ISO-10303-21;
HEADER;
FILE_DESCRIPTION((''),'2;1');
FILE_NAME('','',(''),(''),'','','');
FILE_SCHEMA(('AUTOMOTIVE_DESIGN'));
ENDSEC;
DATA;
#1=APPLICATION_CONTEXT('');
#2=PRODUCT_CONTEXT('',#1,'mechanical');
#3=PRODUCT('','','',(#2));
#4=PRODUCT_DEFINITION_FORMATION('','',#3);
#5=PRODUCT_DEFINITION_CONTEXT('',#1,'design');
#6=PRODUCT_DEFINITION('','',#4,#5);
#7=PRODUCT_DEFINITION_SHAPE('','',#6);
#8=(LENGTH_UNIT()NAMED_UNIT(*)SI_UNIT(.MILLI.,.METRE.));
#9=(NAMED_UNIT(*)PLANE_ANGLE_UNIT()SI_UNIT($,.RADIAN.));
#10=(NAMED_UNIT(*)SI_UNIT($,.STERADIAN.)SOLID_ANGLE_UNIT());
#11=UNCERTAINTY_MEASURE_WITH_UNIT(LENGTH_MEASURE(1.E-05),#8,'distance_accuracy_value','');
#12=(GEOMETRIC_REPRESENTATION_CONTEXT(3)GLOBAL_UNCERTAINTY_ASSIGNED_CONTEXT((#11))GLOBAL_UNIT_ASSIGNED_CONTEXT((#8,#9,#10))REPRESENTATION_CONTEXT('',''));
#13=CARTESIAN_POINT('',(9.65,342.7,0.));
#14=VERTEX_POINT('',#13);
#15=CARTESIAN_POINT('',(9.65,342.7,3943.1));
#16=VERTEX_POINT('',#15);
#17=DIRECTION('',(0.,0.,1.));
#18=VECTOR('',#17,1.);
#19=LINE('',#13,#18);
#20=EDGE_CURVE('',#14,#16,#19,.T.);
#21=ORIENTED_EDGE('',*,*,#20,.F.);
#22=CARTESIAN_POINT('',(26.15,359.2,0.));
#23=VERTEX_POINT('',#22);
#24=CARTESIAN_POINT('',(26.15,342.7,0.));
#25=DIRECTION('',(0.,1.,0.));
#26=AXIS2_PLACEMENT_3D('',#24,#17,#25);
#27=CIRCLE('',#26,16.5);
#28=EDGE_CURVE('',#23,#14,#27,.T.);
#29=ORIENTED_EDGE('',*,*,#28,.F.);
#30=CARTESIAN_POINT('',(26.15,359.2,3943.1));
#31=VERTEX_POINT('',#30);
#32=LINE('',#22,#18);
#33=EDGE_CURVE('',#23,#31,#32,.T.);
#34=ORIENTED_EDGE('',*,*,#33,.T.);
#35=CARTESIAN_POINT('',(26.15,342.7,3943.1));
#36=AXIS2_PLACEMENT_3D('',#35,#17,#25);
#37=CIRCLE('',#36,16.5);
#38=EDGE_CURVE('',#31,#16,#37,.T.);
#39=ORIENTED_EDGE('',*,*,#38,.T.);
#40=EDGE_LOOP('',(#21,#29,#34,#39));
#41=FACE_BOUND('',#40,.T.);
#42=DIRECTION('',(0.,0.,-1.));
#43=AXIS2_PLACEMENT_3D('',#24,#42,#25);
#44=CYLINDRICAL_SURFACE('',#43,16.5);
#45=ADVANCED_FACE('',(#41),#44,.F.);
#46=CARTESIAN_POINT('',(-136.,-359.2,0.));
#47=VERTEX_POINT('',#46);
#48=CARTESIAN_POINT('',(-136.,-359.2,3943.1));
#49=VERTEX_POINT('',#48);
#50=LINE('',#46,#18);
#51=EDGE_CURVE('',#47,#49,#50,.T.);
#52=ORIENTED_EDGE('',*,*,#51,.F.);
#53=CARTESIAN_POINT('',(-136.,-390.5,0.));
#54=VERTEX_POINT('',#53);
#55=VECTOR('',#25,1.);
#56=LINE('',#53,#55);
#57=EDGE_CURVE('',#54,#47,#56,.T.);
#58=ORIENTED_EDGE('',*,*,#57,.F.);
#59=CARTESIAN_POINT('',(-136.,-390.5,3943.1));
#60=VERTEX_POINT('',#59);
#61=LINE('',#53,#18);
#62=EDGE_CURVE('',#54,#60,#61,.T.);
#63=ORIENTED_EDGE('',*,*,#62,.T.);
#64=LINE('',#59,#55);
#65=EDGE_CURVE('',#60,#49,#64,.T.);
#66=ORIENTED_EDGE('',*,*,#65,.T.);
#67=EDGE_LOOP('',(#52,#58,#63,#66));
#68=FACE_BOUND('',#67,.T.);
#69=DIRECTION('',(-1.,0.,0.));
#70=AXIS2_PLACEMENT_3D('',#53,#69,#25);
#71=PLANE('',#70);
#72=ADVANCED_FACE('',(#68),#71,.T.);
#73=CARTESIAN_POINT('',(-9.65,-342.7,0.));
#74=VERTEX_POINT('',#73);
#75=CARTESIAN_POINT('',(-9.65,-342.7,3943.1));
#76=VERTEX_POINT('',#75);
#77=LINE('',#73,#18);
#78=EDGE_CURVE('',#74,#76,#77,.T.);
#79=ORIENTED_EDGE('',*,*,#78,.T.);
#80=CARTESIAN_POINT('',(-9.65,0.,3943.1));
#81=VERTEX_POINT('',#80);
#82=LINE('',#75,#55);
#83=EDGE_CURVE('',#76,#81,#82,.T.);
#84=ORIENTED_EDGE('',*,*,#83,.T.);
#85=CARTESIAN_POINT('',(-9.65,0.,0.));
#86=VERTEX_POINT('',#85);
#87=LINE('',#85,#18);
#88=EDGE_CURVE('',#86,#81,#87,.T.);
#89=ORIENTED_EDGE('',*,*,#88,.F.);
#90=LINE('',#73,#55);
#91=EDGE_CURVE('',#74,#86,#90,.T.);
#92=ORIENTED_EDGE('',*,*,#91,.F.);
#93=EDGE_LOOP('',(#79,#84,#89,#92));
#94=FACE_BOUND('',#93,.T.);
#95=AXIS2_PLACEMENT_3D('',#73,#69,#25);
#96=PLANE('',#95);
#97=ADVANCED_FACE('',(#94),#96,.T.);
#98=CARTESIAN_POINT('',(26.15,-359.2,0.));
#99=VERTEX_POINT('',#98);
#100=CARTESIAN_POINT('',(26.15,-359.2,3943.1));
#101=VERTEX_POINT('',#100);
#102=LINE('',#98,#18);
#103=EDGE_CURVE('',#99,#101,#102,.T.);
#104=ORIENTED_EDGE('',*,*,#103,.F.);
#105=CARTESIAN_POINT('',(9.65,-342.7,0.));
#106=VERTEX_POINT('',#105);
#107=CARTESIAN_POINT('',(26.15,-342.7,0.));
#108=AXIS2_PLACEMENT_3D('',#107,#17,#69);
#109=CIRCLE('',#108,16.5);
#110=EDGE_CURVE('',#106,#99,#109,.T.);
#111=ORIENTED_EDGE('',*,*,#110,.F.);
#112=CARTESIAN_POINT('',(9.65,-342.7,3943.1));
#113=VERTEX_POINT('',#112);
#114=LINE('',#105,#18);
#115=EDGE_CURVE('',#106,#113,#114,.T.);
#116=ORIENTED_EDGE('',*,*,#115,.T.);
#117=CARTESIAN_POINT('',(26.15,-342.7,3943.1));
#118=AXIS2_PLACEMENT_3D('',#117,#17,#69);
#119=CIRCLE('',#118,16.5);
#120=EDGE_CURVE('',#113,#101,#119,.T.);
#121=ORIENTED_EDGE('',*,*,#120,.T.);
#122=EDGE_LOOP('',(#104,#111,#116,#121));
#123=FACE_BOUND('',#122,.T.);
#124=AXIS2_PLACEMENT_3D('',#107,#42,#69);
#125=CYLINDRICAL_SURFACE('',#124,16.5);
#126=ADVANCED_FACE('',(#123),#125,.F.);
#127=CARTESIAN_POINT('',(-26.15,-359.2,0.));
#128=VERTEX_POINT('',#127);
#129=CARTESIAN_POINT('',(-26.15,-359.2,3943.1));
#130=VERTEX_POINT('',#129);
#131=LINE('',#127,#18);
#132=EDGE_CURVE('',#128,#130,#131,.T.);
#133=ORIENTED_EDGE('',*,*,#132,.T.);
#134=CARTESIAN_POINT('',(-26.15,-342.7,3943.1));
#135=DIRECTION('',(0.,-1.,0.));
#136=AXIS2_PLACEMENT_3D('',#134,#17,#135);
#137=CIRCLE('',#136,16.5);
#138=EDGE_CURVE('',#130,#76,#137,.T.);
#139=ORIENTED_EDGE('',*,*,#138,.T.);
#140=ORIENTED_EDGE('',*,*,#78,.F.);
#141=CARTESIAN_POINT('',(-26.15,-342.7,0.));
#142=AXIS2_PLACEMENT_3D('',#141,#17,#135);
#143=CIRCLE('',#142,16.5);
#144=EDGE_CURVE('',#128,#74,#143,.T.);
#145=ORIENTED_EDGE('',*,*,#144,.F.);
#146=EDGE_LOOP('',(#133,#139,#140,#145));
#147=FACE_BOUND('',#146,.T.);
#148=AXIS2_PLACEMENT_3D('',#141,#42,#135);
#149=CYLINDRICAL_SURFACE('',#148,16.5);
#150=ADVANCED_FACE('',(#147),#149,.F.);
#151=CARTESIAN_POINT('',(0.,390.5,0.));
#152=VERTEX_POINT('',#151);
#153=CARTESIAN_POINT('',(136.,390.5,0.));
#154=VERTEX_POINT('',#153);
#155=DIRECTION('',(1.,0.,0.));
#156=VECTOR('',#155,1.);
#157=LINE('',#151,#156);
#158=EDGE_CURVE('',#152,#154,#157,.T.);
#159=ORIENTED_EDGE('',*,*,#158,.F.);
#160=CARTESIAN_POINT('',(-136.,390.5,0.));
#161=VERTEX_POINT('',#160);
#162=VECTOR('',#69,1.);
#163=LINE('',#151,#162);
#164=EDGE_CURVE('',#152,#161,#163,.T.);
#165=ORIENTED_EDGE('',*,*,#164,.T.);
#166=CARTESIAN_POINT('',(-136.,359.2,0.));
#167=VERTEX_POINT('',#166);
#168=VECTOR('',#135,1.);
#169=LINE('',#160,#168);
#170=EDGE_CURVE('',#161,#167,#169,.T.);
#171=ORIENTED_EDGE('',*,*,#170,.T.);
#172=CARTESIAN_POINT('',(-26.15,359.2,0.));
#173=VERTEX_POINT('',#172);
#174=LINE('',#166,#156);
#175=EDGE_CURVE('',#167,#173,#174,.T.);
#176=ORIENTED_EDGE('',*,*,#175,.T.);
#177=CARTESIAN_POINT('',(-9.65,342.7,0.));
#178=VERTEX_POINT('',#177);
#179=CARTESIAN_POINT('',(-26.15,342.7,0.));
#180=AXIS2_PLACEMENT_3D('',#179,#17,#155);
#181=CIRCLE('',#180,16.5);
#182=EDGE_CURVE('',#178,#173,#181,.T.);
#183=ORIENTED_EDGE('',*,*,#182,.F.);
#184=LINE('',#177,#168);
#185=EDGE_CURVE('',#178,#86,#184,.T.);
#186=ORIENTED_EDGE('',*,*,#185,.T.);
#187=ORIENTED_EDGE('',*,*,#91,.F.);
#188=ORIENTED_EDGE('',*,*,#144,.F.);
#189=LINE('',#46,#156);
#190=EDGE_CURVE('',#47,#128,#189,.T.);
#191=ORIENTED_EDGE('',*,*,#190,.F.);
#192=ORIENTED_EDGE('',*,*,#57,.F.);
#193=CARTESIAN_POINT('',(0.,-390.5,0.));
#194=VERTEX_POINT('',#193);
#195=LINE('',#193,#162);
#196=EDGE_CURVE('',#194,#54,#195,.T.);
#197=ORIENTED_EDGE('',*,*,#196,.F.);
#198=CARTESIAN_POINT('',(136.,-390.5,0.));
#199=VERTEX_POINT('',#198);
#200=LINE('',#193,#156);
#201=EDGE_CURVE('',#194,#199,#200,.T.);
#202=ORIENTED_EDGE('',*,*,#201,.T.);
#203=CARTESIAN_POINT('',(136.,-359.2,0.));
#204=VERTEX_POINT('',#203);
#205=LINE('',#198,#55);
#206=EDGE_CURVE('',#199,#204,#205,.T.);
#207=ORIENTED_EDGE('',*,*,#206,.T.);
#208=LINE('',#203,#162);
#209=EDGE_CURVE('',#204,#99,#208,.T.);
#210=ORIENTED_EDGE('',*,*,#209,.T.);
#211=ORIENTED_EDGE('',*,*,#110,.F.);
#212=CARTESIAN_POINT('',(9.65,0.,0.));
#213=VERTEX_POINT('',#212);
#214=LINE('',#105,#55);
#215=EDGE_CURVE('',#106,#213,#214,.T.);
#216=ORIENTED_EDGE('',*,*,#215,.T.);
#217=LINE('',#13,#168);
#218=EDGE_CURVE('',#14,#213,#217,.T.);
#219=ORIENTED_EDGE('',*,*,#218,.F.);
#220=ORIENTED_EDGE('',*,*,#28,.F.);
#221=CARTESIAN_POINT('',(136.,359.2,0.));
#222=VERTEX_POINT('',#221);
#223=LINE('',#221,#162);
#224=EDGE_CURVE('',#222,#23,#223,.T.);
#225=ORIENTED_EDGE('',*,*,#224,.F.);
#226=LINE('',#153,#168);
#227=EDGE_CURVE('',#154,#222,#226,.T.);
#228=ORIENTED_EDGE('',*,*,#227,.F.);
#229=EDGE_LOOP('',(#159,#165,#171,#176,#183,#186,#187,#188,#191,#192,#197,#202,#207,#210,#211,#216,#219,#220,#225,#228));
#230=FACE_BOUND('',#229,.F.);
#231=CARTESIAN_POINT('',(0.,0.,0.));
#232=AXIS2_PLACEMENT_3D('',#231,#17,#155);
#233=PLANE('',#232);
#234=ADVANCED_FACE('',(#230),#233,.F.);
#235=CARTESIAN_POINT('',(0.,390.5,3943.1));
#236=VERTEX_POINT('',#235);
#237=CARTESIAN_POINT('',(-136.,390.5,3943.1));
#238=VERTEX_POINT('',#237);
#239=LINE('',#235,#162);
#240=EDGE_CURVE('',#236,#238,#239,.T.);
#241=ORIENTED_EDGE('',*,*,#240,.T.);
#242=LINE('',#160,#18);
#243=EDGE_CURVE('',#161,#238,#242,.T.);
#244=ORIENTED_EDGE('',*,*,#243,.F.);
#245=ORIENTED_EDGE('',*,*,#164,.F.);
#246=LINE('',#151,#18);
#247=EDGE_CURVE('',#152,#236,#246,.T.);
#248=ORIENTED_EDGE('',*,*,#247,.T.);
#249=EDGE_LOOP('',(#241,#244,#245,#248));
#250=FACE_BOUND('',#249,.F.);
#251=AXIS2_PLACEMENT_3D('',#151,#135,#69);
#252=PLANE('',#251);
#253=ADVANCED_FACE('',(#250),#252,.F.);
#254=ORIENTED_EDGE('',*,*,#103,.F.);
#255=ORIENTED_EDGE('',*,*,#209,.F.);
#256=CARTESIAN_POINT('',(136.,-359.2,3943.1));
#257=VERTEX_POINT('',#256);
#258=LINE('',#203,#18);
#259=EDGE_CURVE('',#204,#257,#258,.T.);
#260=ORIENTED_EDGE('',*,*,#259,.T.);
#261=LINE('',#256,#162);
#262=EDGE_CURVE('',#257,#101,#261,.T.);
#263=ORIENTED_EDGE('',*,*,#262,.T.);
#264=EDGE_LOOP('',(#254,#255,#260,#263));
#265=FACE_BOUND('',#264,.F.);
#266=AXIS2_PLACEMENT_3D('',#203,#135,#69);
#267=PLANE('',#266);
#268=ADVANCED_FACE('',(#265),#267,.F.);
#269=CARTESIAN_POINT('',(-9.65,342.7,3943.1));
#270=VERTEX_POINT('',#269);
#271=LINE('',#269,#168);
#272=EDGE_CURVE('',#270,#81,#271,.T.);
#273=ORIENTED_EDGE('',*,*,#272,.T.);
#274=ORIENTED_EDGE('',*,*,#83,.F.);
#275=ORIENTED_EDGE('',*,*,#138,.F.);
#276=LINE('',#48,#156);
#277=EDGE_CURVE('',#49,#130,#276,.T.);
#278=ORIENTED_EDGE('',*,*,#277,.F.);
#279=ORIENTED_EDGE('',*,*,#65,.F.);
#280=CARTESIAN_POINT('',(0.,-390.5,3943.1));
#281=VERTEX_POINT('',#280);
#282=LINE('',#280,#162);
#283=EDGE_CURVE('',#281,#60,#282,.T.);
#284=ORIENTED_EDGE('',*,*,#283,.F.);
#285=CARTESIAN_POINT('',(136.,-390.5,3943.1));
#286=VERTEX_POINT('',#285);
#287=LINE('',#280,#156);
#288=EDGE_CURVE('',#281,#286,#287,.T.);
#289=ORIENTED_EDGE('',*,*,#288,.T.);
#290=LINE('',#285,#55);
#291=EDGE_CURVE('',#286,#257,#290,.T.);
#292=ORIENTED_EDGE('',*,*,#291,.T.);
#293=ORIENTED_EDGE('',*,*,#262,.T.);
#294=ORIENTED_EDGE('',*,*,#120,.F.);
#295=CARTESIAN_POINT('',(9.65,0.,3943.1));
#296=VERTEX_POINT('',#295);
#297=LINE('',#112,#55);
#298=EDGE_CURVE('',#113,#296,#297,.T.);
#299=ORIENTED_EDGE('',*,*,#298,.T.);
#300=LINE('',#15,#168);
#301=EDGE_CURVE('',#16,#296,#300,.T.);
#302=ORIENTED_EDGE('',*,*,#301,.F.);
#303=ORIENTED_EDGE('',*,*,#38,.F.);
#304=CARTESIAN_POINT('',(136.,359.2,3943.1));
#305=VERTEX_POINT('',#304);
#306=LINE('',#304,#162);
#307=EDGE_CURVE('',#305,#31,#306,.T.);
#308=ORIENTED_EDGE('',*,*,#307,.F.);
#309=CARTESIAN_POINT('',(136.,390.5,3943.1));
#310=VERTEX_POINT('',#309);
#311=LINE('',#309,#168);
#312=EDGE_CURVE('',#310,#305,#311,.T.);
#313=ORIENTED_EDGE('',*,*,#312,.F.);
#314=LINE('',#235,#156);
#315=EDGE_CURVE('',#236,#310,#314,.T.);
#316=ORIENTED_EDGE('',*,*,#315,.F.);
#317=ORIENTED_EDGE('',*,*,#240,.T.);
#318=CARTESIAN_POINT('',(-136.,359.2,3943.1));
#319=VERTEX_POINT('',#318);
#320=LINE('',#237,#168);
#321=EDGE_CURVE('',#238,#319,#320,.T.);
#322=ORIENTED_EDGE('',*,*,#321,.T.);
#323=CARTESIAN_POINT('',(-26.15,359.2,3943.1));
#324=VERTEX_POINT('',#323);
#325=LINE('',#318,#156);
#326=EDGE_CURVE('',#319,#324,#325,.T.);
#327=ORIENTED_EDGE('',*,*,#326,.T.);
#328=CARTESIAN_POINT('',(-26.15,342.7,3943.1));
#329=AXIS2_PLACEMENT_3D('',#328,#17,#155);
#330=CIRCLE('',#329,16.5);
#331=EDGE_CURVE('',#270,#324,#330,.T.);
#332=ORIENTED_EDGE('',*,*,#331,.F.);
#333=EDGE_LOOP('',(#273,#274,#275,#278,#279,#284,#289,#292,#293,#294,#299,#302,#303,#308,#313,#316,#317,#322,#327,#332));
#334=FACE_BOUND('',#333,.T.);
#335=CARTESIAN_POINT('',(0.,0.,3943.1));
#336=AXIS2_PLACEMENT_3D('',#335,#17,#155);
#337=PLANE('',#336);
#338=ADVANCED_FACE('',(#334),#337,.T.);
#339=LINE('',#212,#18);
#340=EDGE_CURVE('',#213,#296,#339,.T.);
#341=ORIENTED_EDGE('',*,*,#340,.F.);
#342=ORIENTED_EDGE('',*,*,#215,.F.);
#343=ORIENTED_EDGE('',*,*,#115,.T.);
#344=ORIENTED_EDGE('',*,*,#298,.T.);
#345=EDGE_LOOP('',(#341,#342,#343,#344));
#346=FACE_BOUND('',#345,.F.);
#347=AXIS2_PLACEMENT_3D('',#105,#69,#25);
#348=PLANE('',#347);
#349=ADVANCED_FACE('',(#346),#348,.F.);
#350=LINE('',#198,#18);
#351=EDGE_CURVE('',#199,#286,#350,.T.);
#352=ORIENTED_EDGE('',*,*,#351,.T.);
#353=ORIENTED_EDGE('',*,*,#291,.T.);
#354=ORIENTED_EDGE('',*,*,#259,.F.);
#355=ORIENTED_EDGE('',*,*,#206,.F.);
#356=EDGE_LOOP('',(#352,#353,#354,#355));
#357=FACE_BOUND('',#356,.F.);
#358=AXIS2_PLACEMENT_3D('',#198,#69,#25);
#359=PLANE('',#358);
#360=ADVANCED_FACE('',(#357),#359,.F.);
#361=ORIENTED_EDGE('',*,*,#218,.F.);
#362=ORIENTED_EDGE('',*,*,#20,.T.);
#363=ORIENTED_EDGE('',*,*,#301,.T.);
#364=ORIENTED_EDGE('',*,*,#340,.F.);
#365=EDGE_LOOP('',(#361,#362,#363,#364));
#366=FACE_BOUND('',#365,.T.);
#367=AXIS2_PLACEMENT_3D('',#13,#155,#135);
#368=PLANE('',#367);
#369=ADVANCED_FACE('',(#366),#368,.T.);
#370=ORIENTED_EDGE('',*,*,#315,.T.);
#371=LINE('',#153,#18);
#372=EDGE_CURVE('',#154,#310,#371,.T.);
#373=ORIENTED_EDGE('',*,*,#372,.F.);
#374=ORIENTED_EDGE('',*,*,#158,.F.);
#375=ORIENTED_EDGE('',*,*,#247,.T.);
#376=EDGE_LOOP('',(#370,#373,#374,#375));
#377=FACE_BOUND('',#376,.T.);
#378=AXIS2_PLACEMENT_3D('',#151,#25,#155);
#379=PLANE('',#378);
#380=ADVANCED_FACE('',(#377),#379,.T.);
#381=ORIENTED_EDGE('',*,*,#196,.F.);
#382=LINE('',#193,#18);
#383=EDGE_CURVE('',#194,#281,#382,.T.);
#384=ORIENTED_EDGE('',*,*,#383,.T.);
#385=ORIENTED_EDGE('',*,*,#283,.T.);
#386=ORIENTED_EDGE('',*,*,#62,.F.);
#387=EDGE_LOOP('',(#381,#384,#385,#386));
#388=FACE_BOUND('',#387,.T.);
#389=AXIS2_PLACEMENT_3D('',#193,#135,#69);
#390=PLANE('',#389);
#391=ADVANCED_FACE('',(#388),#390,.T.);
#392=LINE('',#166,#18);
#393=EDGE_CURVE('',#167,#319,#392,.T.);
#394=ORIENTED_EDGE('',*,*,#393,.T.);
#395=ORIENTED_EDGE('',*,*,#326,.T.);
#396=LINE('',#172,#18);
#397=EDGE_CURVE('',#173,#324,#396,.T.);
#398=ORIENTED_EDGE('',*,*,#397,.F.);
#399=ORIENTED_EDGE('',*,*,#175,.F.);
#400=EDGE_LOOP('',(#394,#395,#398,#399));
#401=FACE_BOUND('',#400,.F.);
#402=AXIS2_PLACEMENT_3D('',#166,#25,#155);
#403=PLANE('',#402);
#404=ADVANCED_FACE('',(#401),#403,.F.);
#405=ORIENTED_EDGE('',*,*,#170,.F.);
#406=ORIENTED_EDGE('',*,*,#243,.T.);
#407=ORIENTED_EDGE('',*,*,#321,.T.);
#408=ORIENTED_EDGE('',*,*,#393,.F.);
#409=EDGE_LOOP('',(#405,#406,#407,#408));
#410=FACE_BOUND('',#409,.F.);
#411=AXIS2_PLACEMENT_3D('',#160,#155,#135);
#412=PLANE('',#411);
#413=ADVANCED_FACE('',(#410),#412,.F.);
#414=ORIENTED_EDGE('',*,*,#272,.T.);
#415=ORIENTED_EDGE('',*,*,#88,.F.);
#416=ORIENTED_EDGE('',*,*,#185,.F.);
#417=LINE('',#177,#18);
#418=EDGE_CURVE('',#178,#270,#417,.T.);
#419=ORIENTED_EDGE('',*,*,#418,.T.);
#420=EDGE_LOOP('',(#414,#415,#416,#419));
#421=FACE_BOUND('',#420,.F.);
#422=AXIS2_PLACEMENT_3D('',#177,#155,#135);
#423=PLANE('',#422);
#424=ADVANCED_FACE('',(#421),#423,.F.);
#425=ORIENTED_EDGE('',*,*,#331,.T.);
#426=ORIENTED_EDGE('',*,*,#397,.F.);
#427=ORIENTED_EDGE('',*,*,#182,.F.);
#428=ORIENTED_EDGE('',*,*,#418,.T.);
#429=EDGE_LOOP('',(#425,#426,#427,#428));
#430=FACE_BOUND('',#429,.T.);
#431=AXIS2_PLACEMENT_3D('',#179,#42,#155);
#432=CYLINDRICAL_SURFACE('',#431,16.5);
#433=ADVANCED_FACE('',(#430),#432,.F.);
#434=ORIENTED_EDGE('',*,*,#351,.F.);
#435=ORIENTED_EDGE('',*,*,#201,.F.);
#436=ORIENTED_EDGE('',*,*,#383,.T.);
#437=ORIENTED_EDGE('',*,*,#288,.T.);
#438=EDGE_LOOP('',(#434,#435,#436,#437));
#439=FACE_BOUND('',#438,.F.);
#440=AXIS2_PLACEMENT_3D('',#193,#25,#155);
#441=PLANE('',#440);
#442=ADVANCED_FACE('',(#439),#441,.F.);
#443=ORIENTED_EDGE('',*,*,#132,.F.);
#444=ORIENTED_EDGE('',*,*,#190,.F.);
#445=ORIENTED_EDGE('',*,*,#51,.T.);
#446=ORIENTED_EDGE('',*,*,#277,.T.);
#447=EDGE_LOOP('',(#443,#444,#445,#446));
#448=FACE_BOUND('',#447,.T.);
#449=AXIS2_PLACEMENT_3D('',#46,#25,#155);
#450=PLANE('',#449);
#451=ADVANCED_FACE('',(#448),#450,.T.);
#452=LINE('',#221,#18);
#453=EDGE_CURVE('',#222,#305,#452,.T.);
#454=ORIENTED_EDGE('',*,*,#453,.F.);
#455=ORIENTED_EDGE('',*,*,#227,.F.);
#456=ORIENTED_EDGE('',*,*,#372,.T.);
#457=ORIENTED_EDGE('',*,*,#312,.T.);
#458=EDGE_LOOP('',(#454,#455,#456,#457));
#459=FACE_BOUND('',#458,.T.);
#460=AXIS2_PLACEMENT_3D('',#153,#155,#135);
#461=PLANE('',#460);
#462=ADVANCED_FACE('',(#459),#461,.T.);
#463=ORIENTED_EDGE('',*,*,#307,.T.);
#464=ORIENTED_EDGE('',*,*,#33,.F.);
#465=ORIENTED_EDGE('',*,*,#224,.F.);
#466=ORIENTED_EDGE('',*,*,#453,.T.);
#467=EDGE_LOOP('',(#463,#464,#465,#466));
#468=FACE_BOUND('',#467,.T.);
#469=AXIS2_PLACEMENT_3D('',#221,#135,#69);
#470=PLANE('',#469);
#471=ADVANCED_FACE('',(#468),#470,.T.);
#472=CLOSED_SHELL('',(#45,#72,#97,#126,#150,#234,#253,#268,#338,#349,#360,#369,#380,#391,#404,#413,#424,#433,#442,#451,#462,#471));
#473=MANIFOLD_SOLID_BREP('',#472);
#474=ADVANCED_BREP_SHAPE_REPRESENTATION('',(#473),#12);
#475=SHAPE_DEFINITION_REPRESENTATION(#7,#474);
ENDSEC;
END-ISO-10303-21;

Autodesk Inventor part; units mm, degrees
ref_plane "YZ Plane" through (0, 0, 0) normal (1, 0, 0) x (0, 1, 0)
ref_plane "Start plane" through (0, 0, 0) normal (0, 0, 1) x (1, 0, 0)
ref_plane "End plane" through (0, 0, 3943.1) normal (0, 0, 1) x (1, 0, 0)
sketch "Sketch" plane through (0, 0, 0) normal (0, 0, 1) x (1, 0, 0)
  line L0 (-136, -390.5) -> (-136, -359.2)
  line L1 (-136, -359.2) -> (-26.15, -359.2)
  line L2 (-9.65, -342.7) -> (-9.65, 0)
  line L3 (-9.65, 0) -> (0, 0) construction
  line L4 (0, 0) -> (0, -390.5) construction
  line L5 (0, -390.5) -> (-136, -390.5)
  line L6 (-60, 0) -> (80, 0) construction
  line L7 (0, -60) -> (0, 80) construction
  line L8 (136, -390.5) -> (136, -359.2)
  line L9 (136, -359.2) -> (26.15, -359.2)
  line L10 (9.65, -342.7) -> (9.65, 0)
  line L11 (9.65, 0) -> (0, 0) construction
  line L12 (0, -390.5) -> (136, -390.5)
  line L13 (-136, 390.5) -> (-136, 359.2)
  line L14 (-136, 359.2) -> (-26.15, 359.2)
  line L15 (-9.65, 342.7) -> (-9.65, 0)
  line L16 (0, 390.5) -> (-136, 390.5)
  line L17 (136, 390.5) -> (136, 359.2)
  line L18 (136, 359.2) -> (26.15, 359.2)
  line L19 (0, 390.5) -> (136, 390.5)
  line L20 (9.65, 342.7) -> (9.65, 0)
  arc A0 (-9.65, 342.7) -> (-26.15, 359.2) centre (-26.15, 342.7) ccw
  arc A1 (26.15, 359.2) -> (9.65, 342.7) centre (26.15, 342.7) ccw
  arc A2 (9.65, -342.7) -> (26.15, -359.2) centre (26.15, -342.7) ccw
  arc A3 (-26.15, -359.2) -> (-9.65, -342.7) centre (-26.15, -342.7) ccw
  line L21 (0, 108) -> (0, -88) construction
  line L22 (-88, 0) -> (108, 0) construction
  point P0 (-9.65, -359.2)
  point P1 (9.65, -359.2)
  point P2 (-9.65, 359.2)
  point P3 (9.65, 359.2)
  dimension "d1" = 390.5
  dimension "d2" = 31.3
  dimension "d3" = 136
  dimension "d4" = 9.65
  dimension "d10" = 16.5
extrude "Body" add sketch "Sketch" along normal up to surface (3943.1 mm away) from surface at 0
sketch "Sketch4" plane through (0, 0, 0) normal (0, 0, 1) x (1, 0, 0)
  line L0 (0, 0) -> (10, 0)
ref_plane "Work Plane3" through (0, 0, 0) normal (0, -1, 0) x (1, 0, 0)
sketch "Sketch5" plane through (0, 0, 0) normal (0, -1, 0) x (1, 0, 0)
  line L0 (-2, 0) -> (12, 0) projected
  line L1 (-2, 3943.1) -> (12, 3943.1) projected
  dimension "d14" = 3943.1
equation "\"d1\" = 0.5 * G_H"
equation "\"d2\" = G_T1"
equation "\"d3\" = 0.5 * G_W"
equation "\"d4\" = 0.5 * G_T"
equation "\"d10\" = G_IR"
equation "\"d5\" = G_L"
equation "\"G_W\" = 272"
equation "\"G_H\" = 781"
equation "\"G_T\" = 19.3"
equation "\"G_T1\" = 31.3"
equation "\"G_IR\" = 16.5"
equation "\"G_L\" = d14"
equation "\"G_OFFSET_START\" = 0"
equation "\"G_OFFSET_END\" = 0"
equation "\"d12\" = G_OFFSET_END + B_L"
equation "\"B_L\" = 3943.1"
properties part number "AS 3679-1990 - 760 UB - 244 - 3943.1" material "Steel, Mild"
